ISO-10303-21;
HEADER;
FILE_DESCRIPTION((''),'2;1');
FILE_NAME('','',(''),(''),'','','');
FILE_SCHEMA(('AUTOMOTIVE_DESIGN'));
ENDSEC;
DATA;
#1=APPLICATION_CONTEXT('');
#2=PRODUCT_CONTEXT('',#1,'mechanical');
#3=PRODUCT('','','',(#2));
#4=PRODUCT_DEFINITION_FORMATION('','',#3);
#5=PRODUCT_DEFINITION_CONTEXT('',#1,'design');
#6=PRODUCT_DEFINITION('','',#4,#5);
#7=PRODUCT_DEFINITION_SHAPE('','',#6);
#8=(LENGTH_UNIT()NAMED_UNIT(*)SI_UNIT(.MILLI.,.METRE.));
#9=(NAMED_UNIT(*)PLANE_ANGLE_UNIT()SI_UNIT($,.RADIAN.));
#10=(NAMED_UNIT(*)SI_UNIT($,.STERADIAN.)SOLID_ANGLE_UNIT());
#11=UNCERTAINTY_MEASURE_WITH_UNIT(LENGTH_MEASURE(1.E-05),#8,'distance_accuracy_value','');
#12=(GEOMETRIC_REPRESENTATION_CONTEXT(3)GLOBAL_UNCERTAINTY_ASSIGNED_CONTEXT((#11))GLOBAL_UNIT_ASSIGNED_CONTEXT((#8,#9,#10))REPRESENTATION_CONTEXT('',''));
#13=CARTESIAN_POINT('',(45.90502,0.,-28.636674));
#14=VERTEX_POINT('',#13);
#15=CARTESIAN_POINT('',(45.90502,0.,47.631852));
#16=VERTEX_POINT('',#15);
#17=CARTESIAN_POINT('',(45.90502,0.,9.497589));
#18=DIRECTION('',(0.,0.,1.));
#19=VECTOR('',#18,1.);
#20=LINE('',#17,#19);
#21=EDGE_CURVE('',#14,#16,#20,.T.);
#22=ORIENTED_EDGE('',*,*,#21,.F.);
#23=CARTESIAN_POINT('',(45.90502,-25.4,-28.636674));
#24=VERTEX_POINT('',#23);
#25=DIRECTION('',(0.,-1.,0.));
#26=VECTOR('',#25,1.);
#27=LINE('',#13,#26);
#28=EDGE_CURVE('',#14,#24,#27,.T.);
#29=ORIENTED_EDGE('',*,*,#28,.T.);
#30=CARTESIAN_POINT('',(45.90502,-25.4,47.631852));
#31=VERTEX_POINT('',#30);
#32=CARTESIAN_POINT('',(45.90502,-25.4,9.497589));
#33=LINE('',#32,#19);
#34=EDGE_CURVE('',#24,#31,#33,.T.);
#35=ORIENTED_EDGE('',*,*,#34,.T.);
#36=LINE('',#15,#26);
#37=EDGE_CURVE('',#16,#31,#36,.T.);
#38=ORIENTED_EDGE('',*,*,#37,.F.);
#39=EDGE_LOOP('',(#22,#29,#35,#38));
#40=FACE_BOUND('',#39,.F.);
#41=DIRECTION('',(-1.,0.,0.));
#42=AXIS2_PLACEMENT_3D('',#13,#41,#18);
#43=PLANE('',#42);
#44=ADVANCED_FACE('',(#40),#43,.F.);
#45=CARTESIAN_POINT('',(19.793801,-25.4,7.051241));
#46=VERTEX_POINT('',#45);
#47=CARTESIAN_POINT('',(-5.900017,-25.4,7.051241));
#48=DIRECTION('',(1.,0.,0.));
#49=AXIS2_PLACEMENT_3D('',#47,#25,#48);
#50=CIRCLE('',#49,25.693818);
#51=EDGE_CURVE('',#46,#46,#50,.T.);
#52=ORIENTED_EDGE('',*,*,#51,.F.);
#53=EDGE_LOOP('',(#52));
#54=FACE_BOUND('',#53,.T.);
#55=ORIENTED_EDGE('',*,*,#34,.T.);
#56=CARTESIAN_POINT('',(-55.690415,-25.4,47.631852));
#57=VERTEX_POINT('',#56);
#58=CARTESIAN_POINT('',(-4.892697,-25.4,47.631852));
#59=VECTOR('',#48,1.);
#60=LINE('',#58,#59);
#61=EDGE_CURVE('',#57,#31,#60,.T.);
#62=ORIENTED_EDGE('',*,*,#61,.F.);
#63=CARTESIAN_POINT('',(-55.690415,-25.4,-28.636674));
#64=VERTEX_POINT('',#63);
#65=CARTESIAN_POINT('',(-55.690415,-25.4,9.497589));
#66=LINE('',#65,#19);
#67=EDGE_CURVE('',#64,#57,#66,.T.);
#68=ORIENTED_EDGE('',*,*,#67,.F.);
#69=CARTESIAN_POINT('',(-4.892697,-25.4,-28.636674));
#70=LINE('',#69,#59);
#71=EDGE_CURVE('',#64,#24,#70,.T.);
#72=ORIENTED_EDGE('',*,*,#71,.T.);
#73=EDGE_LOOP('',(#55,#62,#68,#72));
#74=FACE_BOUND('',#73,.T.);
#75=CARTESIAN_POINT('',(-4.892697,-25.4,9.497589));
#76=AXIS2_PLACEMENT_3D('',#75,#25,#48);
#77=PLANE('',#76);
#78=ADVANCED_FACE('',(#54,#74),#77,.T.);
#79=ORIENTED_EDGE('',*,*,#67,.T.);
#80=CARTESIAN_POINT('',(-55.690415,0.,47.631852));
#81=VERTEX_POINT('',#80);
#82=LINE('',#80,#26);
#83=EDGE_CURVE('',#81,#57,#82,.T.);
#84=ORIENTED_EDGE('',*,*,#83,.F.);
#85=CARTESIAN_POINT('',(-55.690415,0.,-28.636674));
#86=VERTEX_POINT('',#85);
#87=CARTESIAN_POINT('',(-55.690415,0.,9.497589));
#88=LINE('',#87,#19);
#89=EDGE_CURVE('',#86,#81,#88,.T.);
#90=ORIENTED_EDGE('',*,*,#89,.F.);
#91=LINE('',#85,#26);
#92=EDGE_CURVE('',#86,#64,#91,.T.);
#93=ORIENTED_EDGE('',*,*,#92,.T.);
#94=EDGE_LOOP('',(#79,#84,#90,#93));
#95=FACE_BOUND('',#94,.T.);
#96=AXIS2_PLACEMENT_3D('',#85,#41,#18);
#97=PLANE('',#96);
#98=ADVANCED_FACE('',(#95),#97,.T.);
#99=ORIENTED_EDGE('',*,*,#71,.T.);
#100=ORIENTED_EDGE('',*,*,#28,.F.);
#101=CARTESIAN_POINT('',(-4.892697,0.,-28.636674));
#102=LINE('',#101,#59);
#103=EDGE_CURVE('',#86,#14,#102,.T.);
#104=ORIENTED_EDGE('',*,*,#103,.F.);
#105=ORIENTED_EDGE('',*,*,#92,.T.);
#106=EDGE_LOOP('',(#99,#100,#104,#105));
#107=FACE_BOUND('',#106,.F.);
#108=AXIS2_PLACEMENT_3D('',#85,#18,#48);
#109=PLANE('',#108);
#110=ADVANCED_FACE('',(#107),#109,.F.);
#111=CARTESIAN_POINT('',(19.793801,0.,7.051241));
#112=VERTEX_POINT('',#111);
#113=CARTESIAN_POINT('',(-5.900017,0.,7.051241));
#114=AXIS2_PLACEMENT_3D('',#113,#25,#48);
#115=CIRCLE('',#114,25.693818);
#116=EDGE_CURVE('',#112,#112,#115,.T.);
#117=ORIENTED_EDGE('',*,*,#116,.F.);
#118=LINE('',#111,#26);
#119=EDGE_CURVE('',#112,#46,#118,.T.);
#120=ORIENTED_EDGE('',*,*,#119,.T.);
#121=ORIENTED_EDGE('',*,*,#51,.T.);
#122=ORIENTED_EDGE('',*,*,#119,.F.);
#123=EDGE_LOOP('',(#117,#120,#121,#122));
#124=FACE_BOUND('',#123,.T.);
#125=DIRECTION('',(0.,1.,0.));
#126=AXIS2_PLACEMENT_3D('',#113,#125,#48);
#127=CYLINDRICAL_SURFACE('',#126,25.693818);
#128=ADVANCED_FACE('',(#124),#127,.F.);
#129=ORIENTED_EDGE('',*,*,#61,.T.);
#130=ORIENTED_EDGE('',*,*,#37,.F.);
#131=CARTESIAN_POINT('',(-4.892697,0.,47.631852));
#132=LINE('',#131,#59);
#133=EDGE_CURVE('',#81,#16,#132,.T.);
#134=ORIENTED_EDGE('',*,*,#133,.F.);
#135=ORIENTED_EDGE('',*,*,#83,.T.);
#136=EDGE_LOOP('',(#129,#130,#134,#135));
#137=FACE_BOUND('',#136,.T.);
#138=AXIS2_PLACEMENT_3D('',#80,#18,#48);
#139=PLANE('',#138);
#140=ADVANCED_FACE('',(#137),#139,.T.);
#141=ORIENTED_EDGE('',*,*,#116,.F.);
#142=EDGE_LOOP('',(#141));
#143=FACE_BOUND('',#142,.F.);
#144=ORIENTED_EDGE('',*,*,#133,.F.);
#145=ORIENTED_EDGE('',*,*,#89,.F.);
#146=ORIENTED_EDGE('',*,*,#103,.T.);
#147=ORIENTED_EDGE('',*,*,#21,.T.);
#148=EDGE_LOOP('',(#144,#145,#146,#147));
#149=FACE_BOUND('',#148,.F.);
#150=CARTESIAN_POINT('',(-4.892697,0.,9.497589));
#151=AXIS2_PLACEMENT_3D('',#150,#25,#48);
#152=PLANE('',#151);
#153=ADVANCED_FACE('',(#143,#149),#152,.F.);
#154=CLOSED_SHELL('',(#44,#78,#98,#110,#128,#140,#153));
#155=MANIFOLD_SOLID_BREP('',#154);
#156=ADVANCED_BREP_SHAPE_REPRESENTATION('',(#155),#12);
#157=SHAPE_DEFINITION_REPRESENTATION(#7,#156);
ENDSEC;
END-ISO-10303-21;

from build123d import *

# Parameters (mm, degrees)
F1_W     = 101.595435
F1_H     = 76.268525
F1_R     = 25.693818
F2_DEPTH = 25.4


with BuildPart() as f2:
    # F1 (on face) → F2 (new body)
    with BuildSketch(Plane.XZ):
        with Locations((-4.892697, 9.497589)):
            Rectangle(F1_W, F1_H)
        with Locations((-5.900017, 7.051241)):
            Circle(F1_R, mode=Mode.SUBTRACT)
    extrude(amount=F2_DEPTH)


solid = f2.part
